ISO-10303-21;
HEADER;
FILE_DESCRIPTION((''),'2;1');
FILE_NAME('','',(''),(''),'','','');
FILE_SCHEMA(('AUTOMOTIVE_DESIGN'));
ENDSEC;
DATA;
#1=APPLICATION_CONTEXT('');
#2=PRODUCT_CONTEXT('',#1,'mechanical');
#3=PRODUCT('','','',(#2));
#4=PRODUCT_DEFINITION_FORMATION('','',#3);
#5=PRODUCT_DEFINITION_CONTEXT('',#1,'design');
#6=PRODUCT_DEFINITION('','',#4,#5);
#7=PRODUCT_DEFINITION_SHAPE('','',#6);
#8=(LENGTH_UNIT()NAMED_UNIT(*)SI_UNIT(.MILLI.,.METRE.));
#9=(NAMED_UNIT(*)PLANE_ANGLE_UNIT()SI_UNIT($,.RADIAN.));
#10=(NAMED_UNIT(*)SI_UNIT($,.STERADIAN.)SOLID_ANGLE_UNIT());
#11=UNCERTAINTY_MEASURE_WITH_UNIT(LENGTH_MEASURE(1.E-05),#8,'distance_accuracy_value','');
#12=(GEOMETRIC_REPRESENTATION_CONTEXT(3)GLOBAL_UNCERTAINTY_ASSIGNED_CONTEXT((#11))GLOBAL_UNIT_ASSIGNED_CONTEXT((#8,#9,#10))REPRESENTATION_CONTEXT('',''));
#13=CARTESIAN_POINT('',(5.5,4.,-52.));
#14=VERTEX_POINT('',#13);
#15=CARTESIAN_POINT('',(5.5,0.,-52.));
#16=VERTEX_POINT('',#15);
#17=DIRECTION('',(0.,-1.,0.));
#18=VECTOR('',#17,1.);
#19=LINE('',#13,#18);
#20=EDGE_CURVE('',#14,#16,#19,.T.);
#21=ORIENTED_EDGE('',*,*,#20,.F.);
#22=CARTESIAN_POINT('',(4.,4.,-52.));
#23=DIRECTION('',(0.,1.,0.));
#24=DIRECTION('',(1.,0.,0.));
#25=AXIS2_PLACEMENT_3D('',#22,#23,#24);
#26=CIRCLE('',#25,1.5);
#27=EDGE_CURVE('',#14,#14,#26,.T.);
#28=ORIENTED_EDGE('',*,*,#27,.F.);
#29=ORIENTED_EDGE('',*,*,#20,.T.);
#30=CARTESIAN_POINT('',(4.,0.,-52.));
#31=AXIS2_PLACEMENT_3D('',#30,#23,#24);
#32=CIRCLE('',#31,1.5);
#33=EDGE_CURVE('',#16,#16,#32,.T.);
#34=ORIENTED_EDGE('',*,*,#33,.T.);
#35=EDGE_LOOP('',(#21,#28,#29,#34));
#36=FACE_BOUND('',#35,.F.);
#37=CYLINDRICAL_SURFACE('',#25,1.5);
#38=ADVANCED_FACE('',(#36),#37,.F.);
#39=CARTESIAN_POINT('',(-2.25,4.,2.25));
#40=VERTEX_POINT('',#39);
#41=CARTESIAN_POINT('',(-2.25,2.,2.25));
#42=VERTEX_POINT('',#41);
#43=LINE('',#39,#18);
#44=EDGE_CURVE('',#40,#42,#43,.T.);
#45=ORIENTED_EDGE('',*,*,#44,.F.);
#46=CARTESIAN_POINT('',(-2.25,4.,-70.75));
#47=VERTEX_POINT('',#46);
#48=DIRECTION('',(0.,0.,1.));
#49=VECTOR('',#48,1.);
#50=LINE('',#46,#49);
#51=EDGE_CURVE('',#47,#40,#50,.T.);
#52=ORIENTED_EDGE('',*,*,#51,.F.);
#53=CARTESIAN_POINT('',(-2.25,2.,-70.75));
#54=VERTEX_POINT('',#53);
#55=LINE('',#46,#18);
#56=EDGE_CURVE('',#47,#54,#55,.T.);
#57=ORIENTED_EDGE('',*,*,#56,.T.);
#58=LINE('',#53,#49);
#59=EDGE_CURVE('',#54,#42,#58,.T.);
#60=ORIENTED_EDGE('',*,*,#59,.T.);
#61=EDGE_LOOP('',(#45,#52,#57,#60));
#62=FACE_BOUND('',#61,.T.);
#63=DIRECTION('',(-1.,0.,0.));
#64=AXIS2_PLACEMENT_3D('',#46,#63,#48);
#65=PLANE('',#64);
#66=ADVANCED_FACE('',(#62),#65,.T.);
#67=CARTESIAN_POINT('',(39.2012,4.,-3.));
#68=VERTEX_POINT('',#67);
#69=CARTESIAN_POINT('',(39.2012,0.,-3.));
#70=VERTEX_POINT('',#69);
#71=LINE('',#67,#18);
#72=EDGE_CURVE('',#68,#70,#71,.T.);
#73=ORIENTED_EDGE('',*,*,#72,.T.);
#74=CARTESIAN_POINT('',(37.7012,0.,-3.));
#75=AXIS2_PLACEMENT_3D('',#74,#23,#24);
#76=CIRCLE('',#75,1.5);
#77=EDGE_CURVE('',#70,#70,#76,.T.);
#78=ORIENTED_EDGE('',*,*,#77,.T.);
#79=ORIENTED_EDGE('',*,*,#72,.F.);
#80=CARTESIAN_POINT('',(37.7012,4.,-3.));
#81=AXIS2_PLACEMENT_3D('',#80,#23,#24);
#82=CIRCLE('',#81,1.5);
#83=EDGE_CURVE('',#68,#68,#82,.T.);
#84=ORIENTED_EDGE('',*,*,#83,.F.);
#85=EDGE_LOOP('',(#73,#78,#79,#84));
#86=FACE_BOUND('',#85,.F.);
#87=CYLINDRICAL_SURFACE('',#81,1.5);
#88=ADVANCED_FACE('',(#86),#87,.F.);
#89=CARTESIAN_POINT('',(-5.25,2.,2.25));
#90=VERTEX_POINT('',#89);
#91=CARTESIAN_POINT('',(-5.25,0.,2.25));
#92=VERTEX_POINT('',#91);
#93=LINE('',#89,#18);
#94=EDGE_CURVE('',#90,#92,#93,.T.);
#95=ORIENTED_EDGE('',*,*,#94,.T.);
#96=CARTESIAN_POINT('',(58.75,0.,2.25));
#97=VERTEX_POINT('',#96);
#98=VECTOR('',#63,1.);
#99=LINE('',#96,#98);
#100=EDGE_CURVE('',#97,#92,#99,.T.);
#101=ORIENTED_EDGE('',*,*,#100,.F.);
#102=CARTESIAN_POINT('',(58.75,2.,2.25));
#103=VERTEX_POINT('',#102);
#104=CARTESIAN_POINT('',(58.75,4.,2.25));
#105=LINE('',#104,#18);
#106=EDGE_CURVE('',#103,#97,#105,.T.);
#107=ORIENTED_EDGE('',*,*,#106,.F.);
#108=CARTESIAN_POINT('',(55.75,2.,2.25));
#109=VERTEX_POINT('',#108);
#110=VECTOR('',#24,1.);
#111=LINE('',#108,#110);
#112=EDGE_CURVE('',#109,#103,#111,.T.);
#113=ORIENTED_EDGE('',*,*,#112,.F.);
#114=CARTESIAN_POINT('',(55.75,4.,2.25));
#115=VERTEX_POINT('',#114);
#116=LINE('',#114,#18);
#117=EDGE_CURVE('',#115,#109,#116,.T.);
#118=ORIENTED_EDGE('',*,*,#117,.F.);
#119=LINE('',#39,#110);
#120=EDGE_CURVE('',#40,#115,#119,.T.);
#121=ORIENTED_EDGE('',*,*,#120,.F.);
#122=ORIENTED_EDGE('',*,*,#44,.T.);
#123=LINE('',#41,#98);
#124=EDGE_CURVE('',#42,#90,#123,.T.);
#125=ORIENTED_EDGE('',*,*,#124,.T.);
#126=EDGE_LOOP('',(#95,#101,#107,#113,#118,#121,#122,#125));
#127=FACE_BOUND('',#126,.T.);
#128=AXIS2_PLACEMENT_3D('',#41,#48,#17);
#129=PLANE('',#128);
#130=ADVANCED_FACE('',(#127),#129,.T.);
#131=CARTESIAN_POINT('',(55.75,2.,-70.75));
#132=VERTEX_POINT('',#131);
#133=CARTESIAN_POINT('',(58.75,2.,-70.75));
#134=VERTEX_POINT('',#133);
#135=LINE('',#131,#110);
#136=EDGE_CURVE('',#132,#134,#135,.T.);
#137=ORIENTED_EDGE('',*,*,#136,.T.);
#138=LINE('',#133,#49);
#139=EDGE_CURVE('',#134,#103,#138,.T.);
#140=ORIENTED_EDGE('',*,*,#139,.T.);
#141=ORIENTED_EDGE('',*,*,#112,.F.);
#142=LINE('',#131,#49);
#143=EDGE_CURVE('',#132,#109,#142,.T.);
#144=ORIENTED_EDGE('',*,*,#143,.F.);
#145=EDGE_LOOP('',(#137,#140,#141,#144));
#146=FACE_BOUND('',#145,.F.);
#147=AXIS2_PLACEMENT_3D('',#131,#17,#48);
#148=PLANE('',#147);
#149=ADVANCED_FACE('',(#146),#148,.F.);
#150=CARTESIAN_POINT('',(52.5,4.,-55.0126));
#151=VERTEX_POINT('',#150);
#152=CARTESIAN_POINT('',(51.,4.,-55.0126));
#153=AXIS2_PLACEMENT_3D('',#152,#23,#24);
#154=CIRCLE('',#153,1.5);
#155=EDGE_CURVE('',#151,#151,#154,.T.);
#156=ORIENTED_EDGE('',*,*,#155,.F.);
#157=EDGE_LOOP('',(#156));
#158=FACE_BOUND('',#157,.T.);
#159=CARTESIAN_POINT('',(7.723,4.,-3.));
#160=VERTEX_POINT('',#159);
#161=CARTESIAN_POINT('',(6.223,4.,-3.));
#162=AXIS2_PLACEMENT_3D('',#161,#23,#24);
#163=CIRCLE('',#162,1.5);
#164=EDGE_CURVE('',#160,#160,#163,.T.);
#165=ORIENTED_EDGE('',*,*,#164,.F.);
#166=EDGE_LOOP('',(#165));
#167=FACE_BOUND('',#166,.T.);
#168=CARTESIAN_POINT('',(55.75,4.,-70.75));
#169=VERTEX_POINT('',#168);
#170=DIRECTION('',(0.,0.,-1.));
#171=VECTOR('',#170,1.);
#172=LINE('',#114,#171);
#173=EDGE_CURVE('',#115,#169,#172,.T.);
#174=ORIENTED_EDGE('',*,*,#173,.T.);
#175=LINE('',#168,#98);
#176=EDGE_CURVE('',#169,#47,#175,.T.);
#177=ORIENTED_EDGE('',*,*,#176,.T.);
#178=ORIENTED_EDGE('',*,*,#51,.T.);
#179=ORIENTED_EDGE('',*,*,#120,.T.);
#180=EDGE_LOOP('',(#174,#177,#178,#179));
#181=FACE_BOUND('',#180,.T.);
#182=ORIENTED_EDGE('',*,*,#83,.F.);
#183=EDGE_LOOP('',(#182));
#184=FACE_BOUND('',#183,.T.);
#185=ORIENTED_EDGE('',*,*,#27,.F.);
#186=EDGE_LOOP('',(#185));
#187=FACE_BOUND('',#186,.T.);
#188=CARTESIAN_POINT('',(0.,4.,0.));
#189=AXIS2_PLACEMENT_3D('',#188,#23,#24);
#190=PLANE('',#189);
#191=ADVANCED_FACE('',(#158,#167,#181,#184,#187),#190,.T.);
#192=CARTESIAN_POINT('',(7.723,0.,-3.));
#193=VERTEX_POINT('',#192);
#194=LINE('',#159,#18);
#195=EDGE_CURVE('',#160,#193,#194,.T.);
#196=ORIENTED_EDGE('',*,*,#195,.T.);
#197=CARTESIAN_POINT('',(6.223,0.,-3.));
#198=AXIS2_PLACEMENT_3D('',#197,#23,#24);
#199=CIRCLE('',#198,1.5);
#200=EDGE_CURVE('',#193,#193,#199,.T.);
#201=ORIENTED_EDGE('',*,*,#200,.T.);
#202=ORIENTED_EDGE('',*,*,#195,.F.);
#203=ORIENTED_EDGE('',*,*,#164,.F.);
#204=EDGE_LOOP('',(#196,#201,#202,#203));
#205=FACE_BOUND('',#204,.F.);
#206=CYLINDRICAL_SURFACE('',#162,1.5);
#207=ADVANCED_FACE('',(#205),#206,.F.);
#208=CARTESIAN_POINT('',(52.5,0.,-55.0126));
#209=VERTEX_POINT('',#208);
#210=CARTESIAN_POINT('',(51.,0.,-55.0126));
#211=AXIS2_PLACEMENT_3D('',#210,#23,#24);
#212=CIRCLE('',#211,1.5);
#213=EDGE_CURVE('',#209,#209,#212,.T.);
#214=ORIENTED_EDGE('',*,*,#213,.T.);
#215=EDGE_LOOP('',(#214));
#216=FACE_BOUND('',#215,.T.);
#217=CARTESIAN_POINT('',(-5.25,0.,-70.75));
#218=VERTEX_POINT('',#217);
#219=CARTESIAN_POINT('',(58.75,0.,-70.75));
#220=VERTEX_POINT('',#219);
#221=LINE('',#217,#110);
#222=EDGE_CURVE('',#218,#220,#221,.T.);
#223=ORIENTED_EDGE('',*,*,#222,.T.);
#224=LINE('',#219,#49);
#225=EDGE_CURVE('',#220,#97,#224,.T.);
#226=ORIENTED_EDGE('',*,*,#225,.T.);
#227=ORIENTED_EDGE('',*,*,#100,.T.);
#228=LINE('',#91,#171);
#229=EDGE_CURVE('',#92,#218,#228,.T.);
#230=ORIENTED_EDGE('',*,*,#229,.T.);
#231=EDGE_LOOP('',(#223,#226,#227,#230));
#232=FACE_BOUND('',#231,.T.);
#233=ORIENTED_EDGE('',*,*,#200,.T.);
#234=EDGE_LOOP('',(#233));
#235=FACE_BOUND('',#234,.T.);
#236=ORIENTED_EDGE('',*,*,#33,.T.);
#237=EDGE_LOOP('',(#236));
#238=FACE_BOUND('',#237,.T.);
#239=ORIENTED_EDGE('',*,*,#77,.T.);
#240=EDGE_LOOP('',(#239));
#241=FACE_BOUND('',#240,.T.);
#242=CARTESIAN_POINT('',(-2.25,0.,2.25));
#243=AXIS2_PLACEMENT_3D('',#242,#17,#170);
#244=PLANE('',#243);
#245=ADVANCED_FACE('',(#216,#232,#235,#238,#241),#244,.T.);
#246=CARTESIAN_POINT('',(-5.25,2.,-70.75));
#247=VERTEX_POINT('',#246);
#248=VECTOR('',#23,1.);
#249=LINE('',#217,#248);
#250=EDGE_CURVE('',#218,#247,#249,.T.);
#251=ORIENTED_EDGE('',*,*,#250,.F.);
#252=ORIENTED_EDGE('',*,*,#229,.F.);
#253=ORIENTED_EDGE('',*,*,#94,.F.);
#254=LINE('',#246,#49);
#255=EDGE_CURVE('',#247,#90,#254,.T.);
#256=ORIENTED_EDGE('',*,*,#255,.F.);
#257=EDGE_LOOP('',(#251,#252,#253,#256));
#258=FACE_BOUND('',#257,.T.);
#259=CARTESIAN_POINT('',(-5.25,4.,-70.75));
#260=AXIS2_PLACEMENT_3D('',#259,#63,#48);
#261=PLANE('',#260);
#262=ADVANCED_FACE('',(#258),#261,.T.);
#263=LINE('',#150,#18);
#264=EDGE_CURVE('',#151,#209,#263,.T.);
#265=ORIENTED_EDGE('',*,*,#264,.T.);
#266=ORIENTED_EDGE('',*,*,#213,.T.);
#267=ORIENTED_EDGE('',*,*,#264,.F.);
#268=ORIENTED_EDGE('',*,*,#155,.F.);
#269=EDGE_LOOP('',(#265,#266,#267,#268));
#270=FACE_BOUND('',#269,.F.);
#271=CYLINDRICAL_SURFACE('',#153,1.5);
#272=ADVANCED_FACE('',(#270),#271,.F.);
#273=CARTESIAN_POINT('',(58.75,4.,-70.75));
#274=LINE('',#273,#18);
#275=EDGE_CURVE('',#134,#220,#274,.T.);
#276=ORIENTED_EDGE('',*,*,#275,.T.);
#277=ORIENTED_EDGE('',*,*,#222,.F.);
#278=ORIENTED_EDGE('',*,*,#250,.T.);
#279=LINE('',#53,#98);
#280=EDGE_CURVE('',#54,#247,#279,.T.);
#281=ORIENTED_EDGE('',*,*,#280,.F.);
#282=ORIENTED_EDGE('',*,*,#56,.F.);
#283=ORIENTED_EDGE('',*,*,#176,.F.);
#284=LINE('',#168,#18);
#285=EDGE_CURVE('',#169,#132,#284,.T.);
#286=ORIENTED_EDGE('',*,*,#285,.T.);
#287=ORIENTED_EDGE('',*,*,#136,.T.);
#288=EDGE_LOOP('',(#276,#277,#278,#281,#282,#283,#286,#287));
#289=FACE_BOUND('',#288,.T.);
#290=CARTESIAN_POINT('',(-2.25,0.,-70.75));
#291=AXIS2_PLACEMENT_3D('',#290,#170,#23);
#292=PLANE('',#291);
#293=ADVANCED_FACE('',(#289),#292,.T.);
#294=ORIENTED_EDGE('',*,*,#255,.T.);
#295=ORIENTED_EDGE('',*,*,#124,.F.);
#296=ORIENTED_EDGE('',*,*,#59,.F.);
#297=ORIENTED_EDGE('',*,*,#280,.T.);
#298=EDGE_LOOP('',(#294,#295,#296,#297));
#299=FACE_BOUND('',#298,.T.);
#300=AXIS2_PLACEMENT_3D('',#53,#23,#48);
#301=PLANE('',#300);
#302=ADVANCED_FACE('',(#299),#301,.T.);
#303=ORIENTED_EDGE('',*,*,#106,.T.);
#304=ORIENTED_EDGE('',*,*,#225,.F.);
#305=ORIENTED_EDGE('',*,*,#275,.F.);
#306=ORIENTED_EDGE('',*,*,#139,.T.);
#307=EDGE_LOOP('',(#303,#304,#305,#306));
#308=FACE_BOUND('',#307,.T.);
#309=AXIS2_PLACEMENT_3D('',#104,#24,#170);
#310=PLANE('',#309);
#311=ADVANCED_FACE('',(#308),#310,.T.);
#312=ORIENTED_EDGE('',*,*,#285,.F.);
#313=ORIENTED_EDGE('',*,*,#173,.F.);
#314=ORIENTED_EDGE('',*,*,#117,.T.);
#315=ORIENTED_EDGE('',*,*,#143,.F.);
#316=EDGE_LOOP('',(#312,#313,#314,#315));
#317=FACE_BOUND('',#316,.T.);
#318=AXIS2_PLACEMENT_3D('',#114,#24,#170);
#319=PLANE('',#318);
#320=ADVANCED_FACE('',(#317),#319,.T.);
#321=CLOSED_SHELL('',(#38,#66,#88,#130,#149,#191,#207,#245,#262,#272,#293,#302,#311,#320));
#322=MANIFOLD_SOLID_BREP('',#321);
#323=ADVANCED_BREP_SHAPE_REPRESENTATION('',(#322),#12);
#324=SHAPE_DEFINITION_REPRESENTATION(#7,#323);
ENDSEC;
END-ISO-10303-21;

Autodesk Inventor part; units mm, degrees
ref_plane "YZ Plane" through (0, 0, 0) normal (1, 0, 0) x (0, 1, 0)
ref_plane "XZ Plane" through (0, 0, 0) normal (0, 1, 0) x (-1, 0, 0)
ref_plane "XY Plane" through (0, 0, 0) normal (0, 0, 1) x (1, 0, 0)
sketch "Sketch1" plane through (0, 0, 0) normal (0, 1, 0) x (-1, 0, 0)
  line L0 (0, 0) -> (-53.5, 0)
  line L1 (-53.5, 0) -> (-53.5, -68.5)
  line L2 (-53.5, -68.5) -> (0, -68.5)
  line L3 (0, -68.5) -> (0, 0)
  dimension "d0" = 53.5
  dimension "d1" = 68.5
extrude "Extrusion1" add sketch "Sketch1" along normal blind 4
sketch "Sketch2" plane through (0, 4, 0) normal (0, 1, 0) x (1, 0, 0)
  circle A0 centre (51, 55.0126) radius 1.5
  line L0 (53.5, 68.5) -> (0, 68.5) projected
  line L1 (53.5, 0) -> (53.5, 68.5) projected
  circle A1 centre (4, 52) radius 1.5
  line L2 (0, 68.5) -> (0, 0) projected
  circle A2 centre (37.7012, 3) radius 1.5
  line L3 (0, 0) -> (53.5, 0) projected
  circle A3 centre (6.223, 3) radius 1.5
  dimension "d4" = 3
  dimension "d5" = 13.4874
  dimension "d6" = 2.5
  dimension "d7" = 3
  dimension "d8" = 16.5
  dimension "d9" = 4
  dimension "d10" = 3
  dimension "d11" = 15.7988
  dimension "d12" = 3
  dimension "d13" = 3
  dimension "d14" = 3
  dimension "d15" = 6.223
extrude "Extrusion2" cut sketch "Sketch2" against normal blind 12 contours A0 | A1 | A2 | A3
sketch "Sketch3" plane through (0, 4, 0) normal (0, 1, 0) x (1, 0, 0)
  line L0 (0, 0) -> (53.5, 0) projected
  line L1 (53.5, 0) -> (53.5, 68.5) projected
  line L2 (53.5, 68.5) -> (0, 68.5) projected
  line L3 (0, 68.5) -> (0, 0) projected
  line L4 (-2.25, -2.25) -> (55.75, -2.25)
  line L5 (55.75, -2.25) -> (55.75, 70.75)
  line L6 (55.75, 70.75) -> (-2.25, 70.75)
  line L7 (-2.25, 70.75) -> (-2.25, -2.25)
  dimension "d18" = 2.25
extrude "Extrusion3" add sketch "Sketch3" against normal blind 4
sketch "Sketch6" plane through (55.75, 4, 2.25) normal (1, 0, 0) x (0, 0, -1)
  line L0 (0, 0) -> (73, 0) projected
  line L1 (73, -4) -> (0, -4) projected
  line L2 (0, 0) -> (73, 0) projected
  line L3 (0, 0) -> (0, -4) projected
  line L4 (73, -4) -> (0, -4) projected
  line L5 (73, 0) -> (73, -4) projected
  line L6 (73, 0) -> (73, -4) projected
  line L7 (0, -4) -> (73, -4)
  line L8 (73, -4) -> (73, -2)
  line L9 (73, -2) -> (0, -2)
  line L10 (0, -2) -> (0, -4)
  point P0 (2.25, -4)
  dimension "d33" = 2
extrude "Extrusion6" add sketch "Sketch6" along normal blind 3 contours L9 L5 L1 L3
sketch "Sketch7" plane through (-2.25, 4, -70.75) normal (-1, 0, 0) x (0, 0, 1)
  line L0 (73, -4) -> (0, -4) projected
  line L1 (0, -4) -> (0, -2) projected
  line L2 (0, -2) -> (73, -2) projected
  line L3 (73, -2) -> (73, -4) projected
  point P0 (70.75, -4)
extrude "Extrusion7" add sketch "Sketch7" along normal blind 3
properties part number "uno-holder"
